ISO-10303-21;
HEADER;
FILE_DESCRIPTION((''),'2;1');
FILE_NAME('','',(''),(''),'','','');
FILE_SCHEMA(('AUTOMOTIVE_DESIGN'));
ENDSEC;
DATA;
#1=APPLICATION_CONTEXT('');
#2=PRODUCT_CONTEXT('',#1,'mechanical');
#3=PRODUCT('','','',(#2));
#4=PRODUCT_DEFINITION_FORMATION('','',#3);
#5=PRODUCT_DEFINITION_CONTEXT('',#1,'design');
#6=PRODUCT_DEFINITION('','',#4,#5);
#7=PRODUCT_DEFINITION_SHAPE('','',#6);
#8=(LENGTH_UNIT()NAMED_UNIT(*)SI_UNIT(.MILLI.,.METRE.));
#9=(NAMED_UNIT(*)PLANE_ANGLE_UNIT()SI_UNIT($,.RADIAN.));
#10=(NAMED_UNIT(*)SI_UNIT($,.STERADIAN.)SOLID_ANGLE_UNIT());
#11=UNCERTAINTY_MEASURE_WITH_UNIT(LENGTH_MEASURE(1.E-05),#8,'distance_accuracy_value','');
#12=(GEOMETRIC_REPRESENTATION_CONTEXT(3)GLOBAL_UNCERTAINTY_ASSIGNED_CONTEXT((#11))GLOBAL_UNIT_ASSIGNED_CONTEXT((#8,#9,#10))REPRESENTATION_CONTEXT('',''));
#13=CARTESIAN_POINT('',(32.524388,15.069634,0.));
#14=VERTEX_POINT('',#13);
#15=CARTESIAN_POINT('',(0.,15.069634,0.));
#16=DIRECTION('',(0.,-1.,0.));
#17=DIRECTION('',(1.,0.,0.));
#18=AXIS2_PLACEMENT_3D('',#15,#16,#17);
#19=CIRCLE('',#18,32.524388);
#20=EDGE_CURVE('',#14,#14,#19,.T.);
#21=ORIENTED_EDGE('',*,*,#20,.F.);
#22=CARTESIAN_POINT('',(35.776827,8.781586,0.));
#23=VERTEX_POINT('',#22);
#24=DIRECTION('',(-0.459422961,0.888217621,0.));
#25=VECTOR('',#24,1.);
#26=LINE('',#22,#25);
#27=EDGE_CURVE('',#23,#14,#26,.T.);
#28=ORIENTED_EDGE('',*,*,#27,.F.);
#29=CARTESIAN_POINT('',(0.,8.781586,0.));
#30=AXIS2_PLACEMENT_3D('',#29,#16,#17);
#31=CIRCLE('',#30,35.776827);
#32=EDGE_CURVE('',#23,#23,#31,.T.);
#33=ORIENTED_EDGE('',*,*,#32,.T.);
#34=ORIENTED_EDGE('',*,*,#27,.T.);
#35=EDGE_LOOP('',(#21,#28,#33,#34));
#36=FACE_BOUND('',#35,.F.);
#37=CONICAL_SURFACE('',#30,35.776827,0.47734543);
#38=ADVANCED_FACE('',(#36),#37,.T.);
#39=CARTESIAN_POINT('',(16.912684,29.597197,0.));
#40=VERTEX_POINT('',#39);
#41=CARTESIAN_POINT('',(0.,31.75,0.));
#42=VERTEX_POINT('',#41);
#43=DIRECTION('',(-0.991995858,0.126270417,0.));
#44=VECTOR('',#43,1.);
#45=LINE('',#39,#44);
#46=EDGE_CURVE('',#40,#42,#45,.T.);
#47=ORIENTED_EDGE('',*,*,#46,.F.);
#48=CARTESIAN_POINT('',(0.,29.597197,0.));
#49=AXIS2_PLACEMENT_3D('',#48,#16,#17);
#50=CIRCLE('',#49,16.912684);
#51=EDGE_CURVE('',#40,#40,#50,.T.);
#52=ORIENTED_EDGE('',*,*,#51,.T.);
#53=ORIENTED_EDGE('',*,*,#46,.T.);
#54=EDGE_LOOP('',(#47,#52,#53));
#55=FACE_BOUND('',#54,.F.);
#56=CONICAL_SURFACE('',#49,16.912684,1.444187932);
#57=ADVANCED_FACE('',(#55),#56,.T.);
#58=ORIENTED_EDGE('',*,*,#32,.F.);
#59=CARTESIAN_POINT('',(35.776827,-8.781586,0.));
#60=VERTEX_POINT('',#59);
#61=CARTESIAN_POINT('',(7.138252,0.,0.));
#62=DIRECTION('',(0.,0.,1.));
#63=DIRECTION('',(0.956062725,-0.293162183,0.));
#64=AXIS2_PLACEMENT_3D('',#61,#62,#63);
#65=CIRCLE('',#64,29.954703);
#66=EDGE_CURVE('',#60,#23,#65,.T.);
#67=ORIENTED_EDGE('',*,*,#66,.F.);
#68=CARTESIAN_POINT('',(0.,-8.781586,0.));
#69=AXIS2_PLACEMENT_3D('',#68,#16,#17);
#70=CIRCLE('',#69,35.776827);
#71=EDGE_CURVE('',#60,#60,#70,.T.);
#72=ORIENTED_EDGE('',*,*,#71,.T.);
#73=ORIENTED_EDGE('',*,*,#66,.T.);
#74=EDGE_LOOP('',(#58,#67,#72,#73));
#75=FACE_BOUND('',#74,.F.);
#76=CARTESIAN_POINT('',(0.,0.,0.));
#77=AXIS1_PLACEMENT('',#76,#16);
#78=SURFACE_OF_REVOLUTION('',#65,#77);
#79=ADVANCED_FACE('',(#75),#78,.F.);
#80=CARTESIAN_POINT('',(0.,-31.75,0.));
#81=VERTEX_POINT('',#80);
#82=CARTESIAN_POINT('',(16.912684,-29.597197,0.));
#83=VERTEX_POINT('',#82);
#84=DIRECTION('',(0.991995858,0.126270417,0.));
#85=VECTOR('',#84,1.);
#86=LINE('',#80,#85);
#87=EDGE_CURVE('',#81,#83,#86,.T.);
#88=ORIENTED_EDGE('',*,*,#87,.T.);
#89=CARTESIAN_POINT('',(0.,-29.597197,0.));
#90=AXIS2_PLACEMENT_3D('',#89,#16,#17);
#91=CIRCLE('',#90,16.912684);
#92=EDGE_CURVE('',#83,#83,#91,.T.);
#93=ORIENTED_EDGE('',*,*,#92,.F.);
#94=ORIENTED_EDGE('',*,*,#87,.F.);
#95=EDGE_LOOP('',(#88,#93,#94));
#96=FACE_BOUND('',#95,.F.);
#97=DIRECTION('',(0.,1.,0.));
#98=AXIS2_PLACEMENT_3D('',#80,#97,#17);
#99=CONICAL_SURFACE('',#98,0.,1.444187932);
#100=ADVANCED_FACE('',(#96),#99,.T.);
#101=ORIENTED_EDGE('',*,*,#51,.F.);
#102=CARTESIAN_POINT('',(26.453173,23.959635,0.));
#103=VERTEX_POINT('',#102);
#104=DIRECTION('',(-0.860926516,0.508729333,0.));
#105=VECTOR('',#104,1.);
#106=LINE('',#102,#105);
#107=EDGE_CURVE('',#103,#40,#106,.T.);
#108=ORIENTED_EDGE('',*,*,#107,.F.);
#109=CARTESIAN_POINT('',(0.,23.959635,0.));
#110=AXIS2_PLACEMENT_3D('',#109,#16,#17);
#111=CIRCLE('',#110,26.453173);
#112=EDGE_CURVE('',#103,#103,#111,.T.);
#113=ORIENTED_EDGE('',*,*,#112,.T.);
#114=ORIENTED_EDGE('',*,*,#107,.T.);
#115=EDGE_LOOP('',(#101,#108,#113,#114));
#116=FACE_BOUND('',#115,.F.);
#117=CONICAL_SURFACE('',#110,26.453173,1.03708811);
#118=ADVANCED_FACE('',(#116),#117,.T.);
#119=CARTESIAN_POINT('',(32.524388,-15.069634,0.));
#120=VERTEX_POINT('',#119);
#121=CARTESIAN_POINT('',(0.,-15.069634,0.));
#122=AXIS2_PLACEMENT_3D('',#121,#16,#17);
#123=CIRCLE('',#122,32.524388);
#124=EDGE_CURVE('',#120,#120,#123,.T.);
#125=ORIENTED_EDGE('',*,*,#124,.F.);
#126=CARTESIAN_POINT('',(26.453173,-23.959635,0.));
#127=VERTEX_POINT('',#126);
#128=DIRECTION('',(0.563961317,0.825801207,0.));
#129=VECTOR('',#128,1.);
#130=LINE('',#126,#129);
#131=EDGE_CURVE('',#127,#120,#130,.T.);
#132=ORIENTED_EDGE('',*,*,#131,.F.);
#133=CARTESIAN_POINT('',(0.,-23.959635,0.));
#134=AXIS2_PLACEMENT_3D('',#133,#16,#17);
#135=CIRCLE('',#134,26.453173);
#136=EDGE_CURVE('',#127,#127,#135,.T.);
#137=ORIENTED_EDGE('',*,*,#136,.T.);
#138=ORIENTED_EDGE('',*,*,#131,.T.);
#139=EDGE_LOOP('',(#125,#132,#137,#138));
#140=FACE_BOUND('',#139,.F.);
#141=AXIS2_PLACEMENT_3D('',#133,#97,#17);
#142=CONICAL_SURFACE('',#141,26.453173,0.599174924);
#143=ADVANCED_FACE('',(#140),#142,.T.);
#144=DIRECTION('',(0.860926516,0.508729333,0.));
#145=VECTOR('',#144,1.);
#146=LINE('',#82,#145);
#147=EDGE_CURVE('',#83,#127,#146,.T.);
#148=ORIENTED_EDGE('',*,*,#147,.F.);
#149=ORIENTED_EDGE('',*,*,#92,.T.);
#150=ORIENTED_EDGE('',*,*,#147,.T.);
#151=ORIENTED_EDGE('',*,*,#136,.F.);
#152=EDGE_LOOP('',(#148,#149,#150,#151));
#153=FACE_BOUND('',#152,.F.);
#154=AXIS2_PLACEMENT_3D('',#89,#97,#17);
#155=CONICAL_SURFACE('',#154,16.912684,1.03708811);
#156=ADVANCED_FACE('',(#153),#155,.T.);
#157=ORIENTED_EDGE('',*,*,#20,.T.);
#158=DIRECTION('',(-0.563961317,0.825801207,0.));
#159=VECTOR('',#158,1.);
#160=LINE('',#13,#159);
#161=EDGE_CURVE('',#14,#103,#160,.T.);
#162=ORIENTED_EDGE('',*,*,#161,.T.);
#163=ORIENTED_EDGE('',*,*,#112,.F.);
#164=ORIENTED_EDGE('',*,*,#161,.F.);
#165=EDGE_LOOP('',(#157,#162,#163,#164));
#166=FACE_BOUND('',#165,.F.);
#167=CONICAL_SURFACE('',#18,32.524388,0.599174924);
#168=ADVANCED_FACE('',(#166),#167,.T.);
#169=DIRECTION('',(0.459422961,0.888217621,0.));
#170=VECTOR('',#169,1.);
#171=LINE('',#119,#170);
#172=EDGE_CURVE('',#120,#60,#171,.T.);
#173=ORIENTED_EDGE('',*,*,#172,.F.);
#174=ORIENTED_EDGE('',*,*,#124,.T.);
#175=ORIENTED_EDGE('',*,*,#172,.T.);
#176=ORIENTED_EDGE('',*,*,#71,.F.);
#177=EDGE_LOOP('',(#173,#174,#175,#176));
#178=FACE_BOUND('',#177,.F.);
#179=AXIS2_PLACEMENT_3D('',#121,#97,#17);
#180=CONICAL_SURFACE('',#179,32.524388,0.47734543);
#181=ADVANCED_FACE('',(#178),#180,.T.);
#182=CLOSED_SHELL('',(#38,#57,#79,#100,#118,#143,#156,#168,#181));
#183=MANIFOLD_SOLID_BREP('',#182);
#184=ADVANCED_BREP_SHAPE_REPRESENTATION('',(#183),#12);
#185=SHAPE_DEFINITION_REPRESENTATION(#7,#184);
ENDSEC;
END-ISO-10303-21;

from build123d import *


with BuildPart() as f1:
    # F0 (on Top) → F1 (revolve)
    with BuildSketch(Plane.XY):
        Polygon((16.912684, 29.597197), (0, 31.75), (0, 0), (35.776827, 0), (35.776827, 8.781586), (32.524388, 15.069634), (26.453173, 23.959635), align=None)
        Polygon((35.776827, 0), (0, 0), (0, -31.75), (16.912684, -29.597197), (26.453173, -23.959635), (32.524388, -15.069634), (35.776827, -8.781586), align=None)
        with BuildLine():
            Line((35.776827, 8.781586), (35.776827, 0))
            Line((35.776827, 0), (35.776827, -8.781586))
            ThreePointArc((35.776827, -8.781586), (37.092955, 0), (35.776827, 8.781586))
        make_face()
    revolve(axis=Axis((0, 0, 0), (0, -1, 0)))


solid = f1.part
